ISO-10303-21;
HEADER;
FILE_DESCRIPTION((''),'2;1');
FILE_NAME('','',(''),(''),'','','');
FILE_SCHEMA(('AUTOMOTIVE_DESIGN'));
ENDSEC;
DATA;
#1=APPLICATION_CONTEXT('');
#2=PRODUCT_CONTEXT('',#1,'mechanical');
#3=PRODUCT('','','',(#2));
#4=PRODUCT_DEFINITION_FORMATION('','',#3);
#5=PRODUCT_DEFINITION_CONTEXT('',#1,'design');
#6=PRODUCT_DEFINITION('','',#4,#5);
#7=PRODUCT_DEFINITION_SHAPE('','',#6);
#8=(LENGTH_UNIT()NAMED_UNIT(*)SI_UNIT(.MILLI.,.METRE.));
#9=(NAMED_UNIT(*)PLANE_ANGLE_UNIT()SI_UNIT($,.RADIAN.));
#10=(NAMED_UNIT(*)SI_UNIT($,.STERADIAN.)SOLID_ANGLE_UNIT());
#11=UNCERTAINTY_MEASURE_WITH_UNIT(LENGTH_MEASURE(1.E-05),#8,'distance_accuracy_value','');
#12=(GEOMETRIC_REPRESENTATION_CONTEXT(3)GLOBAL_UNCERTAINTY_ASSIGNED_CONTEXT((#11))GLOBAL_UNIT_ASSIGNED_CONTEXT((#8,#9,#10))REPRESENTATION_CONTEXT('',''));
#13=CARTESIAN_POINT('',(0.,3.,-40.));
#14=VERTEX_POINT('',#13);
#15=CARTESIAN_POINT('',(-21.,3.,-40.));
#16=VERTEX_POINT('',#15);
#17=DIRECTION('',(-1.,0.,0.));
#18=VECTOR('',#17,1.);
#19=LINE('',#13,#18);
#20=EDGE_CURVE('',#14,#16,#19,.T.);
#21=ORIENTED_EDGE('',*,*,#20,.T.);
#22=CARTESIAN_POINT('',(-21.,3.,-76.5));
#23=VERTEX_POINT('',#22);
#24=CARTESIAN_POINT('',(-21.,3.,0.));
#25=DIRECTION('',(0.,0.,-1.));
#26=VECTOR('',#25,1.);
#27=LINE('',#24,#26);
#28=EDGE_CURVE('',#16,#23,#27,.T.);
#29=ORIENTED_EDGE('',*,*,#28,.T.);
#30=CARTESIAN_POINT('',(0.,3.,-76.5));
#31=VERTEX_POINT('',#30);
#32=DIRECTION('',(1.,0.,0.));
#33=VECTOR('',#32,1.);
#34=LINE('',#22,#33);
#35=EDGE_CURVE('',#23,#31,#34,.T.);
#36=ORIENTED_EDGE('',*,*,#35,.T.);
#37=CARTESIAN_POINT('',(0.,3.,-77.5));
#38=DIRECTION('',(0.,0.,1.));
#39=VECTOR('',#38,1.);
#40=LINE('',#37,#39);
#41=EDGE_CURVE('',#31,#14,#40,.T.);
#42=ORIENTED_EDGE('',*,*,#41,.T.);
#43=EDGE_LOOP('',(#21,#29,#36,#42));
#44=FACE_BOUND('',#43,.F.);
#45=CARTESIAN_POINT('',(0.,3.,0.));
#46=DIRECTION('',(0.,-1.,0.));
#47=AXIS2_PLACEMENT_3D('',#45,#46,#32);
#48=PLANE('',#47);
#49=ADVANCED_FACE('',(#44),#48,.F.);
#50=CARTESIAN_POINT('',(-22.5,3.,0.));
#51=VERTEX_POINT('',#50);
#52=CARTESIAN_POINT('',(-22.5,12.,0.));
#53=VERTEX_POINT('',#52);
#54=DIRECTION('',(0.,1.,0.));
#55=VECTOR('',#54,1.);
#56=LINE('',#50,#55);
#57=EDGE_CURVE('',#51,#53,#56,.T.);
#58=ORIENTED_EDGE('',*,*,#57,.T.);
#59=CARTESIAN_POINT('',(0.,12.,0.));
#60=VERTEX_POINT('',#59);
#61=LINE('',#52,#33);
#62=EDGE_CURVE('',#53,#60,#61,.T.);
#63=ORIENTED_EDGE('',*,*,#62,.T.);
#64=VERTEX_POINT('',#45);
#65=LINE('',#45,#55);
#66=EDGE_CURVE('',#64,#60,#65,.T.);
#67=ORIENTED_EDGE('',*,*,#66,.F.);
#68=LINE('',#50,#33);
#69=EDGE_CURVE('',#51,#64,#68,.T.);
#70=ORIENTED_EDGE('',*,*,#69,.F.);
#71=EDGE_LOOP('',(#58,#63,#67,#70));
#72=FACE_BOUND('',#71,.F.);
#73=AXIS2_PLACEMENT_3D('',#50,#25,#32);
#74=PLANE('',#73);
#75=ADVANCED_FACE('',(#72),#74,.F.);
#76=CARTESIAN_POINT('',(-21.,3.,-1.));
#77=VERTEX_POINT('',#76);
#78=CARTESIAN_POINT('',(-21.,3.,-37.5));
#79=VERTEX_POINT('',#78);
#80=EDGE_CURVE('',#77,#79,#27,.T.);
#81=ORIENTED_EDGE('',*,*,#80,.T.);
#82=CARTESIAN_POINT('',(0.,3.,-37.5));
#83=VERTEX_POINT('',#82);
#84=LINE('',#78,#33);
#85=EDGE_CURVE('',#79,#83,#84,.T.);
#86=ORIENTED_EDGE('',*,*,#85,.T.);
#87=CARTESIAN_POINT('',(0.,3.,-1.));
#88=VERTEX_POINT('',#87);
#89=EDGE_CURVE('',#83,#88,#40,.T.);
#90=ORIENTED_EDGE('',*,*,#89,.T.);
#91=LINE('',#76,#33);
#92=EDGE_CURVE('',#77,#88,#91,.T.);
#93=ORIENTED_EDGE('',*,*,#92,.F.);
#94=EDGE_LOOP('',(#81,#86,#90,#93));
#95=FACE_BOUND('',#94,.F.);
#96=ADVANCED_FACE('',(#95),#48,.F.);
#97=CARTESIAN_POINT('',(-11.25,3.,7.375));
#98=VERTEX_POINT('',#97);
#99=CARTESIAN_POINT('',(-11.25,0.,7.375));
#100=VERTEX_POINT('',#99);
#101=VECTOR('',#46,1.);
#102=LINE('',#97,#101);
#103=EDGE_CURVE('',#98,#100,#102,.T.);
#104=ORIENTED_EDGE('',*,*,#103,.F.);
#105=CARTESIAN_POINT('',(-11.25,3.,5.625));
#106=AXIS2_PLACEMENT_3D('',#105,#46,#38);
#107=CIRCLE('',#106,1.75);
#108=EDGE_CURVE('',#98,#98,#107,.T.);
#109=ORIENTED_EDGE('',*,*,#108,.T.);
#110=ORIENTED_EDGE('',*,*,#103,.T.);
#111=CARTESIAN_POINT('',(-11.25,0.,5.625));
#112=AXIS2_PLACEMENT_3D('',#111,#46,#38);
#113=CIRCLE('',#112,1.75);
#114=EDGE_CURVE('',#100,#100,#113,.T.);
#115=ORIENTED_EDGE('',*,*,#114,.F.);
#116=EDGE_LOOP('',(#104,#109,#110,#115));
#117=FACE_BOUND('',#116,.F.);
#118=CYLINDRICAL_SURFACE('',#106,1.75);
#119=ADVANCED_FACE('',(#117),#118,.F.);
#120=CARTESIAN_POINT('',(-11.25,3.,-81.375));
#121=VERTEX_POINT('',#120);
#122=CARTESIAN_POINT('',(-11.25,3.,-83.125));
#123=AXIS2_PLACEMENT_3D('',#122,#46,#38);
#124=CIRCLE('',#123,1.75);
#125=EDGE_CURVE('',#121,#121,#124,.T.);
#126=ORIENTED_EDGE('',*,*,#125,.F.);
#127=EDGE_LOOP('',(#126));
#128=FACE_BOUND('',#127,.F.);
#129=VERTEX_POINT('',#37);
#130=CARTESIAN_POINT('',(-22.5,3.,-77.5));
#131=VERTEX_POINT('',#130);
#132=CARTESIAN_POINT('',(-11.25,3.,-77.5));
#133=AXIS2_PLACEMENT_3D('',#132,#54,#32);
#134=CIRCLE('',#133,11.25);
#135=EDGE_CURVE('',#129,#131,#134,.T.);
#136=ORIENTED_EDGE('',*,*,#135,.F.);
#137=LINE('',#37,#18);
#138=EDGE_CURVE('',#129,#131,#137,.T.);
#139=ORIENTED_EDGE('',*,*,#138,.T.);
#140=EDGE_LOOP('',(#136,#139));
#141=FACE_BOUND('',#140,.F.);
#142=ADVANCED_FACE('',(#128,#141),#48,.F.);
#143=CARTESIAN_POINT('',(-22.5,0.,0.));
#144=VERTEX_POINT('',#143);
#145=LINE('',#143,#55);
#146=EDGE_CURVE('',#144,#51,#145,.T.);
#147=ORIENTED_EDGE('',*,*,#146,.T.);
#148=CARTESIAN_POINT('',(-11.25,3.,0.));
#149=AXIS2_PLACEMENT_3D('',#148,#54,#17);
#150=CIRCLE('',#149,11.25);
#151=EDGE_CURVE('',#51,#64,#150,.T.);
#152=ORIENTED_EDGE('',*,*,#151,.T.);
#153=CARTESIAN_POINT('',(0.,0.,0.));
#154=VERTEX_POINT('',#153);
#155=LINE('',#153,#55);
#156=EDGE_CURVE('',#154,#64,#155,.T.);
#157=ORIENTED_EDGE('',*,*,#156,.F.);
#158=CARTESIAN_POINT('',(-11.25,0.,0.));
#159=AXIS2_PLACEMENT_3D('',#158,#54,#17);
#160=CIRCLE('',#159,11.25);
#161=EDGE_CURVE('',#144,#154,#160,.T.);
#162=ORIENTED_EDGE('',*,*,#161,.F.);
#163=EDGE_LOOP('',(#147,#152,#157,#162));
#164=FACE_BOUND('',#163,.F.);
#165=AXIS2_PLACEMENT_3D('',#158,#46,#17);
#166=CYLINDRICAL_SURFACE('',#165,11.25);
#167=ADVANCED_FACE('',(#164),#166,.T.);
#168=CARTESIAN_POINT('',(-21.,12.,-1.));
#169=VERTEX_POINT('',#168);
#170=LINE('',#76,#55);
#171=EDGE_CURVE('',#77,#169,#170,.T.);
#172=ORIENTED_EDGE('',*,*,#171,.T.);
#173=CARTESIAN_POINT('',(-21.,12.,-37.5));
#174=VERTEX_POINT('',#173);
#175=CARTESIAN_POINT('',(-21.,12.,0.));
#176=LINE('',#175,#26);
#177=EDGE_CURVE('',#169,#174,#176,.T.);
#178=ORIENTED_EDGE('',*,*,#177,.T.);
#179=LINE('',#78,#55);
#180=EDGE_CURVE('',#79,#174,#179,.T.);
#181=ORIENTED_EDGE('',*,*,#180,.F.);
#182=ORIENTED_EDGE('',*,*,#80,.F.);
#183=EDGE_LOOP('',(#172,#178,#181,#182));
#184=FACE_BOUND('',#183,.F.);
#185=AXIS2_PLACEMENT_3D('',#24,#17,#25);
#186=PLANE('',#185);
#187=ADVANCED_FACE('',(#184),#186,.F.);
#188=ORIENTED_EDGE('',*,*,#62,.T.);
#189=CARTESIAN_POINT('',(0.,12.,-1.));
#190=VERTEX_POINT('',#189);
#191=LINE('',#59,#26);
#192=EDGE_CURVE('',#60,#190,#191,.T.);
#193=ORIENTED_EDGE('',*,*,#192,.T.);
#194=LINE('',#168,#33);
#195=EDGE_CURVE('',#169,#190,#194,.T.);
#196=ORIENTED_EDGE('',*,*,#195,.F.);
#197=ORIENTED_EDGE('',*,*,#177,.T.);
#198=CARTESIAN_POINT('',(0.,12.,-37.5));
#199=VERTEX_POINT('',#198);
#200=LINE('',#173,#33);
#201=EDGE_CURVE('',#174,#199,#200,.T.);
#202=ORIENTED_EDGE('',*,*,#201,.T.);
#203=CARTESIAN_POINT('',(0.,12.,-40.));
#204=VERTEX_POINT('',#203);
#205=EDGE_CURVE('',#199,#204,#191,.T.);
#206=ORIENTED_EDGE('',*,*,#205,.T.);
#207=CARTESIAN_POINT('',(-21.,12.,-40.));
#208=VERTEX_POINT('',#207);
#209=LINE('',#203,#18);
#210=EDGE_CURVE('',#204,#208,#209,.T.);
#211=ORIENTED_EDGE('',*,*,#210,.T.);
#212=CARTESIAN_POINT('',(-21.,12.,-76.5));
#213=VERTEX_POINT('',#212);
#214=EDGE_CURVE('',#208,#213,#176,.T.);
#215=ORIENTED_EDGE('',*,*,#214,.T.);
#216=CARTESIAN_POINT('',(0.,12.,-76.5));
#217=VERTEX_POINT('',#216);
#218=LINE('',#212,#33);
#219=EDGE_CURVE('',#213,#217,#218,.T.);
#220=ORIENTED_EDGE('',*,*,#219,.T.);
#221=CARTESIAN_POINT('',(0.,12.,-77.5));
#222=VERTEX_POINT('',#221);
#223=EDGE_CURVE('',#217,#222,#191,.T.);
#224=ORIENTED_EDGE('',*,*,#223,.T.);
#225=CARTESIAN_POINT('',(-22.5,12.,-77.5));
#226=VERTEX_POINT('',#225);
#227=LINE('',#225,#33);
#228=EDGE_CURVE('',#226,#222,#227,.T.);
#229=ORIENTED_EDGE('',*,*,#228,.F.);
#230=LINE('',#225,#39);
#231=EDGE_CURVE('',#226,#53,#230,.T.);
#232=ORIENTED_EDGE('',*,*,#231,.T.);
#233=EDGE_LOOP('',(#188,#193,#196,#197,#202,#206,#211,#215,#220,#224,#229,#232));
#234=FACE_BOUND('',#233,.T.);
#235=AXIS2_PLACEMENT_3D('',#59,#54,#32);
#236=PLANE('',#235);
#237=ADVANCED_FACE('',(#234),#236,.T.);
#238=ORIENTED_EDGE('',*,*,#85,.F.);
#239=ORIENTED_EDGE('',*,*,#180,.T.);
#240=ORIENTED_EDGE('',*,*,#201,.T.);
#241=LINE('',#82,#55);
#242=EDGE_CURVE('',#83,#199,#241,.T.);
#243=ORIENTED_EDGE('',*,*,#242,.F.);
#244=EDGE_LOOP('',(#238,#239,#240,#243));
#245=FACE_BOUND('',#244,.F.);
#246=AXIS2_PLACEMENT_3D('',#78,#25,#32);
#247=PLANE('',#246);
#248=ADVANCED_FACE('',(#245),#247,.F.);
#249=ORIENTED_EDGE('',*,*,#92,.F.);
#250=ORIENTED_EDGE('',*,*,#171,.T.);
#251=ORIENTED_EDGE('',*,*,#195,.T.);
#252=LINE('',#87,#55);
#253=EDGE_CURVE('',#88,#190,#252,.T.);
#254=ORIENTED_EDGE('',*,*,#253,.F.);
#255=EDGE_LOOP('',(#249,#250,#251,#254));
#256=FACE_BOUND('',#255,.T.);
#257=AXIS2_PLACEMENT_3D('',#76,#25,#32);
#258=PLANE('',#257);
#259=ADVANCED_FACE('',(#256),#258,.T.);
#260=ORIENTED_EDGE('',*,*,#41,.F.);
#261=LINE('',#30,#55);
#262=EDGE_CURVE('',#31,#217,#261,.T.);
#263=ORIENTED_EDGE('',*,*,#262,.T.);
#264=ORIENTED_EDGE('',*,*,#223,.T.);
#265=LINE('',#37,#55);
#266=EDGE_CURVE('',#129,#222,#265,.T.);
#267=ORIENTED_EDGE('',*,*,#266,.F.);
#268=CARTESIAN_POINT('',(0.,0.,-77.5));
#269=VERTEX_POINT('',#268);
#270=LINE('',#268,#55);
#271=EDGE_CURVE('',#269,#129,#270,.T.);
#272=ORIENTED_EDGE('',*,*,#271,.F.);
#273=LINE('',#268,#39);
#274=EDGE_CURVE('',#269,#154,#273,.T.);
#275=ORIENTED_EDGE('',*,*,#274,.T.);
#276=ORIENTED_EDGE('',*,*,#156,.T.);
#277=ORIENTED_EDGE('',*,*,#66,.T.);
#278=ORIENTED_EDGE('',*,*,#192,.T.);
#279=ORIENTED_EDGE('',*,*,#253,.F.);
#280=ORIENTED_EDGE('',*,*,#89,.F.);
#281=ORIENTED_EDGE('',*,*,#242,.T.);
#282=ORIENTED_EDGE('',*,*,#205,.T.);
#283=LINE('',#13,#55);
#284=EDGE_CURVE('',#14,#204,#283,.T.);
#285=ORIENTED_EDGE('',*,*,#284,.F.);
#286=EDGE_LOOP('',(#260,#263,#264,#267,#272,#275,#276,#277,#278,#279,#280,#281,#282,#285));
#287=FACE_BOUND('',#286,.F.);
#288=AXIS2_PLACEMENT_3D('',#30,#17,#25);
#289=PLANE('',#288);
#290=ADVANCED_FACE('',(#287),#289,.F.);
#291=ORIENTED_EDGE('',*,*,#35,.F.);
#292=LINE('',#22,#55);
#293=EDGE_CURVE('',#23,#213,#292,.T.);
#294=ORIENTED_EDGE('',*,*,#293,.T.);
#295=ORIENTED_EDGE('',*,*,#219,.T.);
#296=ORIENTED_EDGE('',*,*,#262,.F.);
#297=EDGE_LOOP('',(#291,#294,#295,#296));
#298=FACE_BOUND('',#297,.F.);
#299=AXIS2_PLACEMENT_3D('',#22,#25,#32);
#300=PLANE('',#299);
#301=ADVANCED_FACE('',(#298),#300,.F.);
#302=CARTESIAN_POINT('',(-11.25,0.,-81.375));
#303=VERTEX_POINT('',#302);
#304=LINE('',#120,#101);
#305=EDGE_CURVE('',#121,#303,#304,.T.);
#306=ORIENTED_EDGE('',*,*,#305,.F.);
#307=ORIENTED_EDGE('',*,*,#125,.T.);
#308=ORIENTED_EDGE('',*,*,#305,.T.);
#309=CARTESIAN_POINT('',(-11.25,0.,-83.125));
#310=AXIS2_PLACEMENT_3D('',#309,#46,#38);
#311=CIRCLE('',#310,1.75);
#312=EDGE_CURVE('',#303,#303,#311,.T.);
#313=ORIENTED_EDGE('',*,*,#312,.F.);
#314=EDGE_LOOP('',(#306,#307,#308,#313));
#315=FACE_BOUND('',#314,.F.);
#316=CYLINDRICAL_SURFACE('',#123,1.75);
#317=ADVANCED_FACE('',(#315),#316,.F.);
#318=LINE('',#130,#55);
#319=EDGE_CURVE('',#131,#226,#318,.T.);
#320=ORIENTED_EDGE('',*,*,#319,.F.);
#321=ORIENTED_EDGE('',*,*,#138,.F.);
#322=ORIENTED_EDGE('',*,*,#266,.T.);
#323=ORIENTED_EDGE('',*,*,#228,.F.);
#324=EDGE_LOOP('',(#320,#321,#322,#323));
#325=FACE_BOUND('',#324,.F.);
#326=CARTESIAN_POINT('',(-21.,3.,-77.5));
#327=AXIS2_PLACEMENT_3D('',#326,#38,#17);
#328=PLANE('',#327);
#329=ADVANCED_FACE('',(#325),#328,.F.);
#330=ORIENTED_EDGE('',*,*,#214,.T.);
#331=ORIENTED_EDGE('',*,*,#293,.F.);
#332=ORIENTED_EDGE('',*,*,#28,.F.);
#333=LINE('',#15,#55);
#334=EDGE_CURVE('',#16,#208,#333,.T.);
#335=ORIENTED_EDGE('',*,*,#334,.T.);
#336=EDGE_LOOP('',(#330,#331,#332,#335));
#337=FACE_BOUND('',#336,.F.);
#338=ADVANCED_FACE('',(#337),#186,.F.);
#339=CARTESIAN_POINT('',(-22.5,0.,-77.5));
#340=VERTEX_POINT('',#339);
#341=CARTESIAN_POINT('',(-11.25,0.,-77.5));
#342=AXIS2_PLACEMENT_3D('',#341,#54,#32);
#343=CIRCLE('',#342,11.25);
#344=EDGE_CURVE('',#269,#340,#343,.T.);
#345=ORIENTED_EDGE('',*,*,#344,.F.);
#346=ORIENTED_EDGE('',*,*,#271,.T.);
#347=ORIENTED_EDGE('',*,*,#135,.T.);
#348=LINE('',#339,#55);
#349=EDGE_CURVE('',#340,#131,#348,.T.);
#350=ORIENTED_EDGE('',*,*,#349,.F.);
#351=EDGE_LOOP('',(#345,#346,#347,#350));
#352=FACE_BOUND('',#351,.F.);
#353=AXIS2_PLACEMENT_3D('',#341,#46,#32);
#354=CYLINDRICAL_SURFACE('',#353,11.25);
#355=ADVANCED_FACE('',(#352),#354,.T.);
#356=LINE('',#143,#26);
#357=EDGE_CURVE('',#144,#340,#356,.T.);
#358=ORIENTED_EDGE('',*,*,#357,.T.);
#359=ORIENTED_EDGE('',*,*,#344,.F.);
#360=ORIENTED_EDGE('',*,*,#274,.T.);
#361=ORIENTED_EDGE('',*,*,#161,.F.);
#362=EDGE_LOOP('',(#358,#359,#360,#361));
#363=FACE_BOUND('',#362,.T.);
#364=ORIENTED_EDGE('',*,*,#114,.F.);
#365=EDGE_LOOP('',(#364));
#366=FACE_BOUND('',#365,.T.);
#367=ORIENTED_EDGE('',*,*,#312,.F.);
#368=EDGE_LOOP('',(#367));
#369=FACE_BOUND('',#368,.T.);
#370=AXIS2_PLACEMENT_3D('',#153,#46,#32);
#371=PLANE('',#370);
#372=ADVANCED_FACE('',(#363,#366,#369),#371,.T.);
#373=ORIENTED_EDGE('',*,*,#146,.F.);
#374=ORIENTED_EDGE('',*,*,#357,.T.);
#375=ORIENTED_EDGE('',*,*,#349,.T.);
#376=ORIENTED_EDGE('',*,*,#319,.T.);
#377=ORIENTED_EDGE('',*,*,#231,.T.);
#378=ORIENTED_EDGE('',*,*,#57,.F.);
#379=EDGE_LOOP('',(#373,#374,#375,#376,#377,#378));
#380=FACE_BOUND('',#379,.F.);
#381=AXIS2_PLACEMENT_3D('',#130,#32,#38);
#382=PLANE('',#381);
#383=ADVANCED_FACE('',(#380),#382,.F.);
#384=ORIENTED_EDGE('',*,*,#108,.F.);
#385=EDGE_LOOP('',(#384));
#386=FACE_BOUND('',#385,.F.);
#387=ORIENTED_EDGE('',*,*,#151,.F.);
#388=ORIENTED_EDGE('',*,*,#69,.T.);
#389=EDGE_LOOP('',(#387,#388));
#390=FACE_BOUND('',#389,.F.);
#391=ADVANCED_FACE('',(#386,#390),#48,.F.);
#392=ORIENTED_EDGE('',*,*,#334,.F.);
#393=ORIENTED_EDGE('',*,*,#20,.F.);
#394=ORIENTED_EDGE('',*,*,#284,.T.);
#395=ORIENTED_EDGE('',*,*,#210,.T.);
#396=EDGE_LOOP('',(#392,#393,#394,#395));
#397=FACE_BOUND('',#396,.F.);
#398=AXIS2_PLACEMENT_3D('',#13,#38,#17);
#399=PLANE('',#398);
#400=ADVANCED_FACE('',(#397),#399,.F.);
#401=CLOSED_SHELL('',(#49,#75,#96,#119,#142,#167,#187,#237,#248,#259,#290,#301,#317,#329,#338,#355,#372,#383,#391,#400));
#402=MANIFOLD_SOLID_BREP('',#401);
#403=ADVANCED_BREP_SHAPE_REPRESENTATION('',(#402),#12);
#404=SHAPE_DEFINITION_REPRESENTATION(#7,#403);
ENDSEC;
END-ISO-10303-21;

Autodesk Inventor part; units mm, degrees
ref_plane "YZ Plane" through (0, 0, 0) normal (1, 0, 0) x (0, 1, 0)
ref_plane "XZ Plane" through (0, 0, 0) normal (0, 1, 0) x (-1, 0, 0)
ref_plane "XY Plane" through (0, 0, 0) normal (0, 0, 1) x (1, 0, 0)
sketch "Sketch4" plane through (0, 0, 0) normal (0, 1, 0) x (-1, 0, 0)
  line L0 (0, 0) -> (22.5, 0)
  line L1 (22.5, 0) -> (22.5, -77.5)
  line L2 (22.5, -77.5) -> (0, -77.5)
  line L3 (0, -77.5) -> (0, 0)
  arc A0 (0, -77.5) -> (22.5, -77.5) centre (11.25, -77.5) ccw
  arc A1 (22.5, 0) -> (0, 0) centre (11.25, 0) ccw
  dimension "d13" = 22.5
  dimension "d14" = 77.5
extrude "Extrusion10" add sketch "Sketch4" along normal blind 3 contours A1 L0 | L2 A0
sketch "Sketch13" plane through (0, 0, 0) normal (0, -1, 0) x (1, 0, 0)
  line L0 (0, 0) -> (-22.5, 0) projected
  line L1 (-22.5, -77.5) -> (0, -77.5) projected
  line L2 (0, 0) -> (-22.5, 0)
  line L3 (-22.5, 0) -> (-22.5, -77.5)
  line L4 (-22.5, -77.5) -> (0, -77.5)
  line L5 (0, -77.5) -> (0, 0)
extrude "Extrusion11" add sketch "Sketch13" against normal blind 3
sketch "Sketch17" plane through (0, 3, 0) normal (0, 1, 0) x (1, 0, 0)
  line L0 (-22.5, 77.5) -> (-22.5, 0) projected
  line L1 (-22.5, 0) -> (-21, 0)
  line L2 (-21, 0) -> (-21, 77.5)
  line L3 (-21, 77.5) -> (-22.5, 77.5)
  line L4 (-22.5, 77.5) -> (-22.5, 0)
  point P0 (0, 0)
  dimension "d82" = 1.5
extrude "Extrusion14" add sketch "Sketch17" along normal blind 9
sketch "Sketch18" plane through (0, 3, 0) normal (0, 1, 0) x (1, 0, 0)
  line L0 (0, 0) -> (0, 77.5) projected
  line L1 (-21, 0) -> (-21, 77.5) projected
  line L2 (0, 0) -> (-21, 0)
  line L3 (-21, 0) -> (-21, 1)
  line L4 (-21, 1) -> (0, 1)
  line L5 (0, 1) -> (0, 0)
  arc A0 (0, 77.5) -> (-22.5, 77.5) centre (-11.25, 77.5) ccw projected
  line L6 (0, 77.5) -> (-21, 77.5)
  line L7 (-21, 77.5) -> (-21, 76.5)
  line L8 (-21, 76.5) -> (0, 76.5)
  line L9 (0, 76.5) -> (0, 77.5)
  line L10 (-21, 37.5) -> (0, 37.5)
  line L11 (0, 37.5) -> (0, 40)
  line L12 (0, 40) -> (-21, 40)
  line L13 (-21, 40) -> (-21, 37.5)
  dimension "d85" = 1
  dimension "d86" = 1
  dimension "d87" = 2.5
  dimension "d88" = 36.5
extrude "Extrusion15" add sketch "Sketch18" along normal blind 9 contours L2 L1 L4 L0 | L10 L1 L12 L0 | L8 L1 L6 L0
sketch "Sketch19" plane through (0, 3, 0) normal (0, 1, 0) x (1, 0, 0)
  line L0 (0, 77.5) -> (-22.5, 77.5) projected
  circle A0 centre (-11.25, 83.125) radius 1.75
  arc A1 (-22.5, 0) -> (0, 0) centre (-11.25, 0) ccw projected
  circle A2 centre (-11.25, -5.625) radius 1.75
  dimension "d92" = 3.5
  dimension "d94" = 3.5
hole "Hole3" at (-11.25, 3, -83.125) at (-11.25, 3, 5.625) direction (0, -1, 0) diameter 3.5 end through all
properties part number "Wago Terminal Block New"
